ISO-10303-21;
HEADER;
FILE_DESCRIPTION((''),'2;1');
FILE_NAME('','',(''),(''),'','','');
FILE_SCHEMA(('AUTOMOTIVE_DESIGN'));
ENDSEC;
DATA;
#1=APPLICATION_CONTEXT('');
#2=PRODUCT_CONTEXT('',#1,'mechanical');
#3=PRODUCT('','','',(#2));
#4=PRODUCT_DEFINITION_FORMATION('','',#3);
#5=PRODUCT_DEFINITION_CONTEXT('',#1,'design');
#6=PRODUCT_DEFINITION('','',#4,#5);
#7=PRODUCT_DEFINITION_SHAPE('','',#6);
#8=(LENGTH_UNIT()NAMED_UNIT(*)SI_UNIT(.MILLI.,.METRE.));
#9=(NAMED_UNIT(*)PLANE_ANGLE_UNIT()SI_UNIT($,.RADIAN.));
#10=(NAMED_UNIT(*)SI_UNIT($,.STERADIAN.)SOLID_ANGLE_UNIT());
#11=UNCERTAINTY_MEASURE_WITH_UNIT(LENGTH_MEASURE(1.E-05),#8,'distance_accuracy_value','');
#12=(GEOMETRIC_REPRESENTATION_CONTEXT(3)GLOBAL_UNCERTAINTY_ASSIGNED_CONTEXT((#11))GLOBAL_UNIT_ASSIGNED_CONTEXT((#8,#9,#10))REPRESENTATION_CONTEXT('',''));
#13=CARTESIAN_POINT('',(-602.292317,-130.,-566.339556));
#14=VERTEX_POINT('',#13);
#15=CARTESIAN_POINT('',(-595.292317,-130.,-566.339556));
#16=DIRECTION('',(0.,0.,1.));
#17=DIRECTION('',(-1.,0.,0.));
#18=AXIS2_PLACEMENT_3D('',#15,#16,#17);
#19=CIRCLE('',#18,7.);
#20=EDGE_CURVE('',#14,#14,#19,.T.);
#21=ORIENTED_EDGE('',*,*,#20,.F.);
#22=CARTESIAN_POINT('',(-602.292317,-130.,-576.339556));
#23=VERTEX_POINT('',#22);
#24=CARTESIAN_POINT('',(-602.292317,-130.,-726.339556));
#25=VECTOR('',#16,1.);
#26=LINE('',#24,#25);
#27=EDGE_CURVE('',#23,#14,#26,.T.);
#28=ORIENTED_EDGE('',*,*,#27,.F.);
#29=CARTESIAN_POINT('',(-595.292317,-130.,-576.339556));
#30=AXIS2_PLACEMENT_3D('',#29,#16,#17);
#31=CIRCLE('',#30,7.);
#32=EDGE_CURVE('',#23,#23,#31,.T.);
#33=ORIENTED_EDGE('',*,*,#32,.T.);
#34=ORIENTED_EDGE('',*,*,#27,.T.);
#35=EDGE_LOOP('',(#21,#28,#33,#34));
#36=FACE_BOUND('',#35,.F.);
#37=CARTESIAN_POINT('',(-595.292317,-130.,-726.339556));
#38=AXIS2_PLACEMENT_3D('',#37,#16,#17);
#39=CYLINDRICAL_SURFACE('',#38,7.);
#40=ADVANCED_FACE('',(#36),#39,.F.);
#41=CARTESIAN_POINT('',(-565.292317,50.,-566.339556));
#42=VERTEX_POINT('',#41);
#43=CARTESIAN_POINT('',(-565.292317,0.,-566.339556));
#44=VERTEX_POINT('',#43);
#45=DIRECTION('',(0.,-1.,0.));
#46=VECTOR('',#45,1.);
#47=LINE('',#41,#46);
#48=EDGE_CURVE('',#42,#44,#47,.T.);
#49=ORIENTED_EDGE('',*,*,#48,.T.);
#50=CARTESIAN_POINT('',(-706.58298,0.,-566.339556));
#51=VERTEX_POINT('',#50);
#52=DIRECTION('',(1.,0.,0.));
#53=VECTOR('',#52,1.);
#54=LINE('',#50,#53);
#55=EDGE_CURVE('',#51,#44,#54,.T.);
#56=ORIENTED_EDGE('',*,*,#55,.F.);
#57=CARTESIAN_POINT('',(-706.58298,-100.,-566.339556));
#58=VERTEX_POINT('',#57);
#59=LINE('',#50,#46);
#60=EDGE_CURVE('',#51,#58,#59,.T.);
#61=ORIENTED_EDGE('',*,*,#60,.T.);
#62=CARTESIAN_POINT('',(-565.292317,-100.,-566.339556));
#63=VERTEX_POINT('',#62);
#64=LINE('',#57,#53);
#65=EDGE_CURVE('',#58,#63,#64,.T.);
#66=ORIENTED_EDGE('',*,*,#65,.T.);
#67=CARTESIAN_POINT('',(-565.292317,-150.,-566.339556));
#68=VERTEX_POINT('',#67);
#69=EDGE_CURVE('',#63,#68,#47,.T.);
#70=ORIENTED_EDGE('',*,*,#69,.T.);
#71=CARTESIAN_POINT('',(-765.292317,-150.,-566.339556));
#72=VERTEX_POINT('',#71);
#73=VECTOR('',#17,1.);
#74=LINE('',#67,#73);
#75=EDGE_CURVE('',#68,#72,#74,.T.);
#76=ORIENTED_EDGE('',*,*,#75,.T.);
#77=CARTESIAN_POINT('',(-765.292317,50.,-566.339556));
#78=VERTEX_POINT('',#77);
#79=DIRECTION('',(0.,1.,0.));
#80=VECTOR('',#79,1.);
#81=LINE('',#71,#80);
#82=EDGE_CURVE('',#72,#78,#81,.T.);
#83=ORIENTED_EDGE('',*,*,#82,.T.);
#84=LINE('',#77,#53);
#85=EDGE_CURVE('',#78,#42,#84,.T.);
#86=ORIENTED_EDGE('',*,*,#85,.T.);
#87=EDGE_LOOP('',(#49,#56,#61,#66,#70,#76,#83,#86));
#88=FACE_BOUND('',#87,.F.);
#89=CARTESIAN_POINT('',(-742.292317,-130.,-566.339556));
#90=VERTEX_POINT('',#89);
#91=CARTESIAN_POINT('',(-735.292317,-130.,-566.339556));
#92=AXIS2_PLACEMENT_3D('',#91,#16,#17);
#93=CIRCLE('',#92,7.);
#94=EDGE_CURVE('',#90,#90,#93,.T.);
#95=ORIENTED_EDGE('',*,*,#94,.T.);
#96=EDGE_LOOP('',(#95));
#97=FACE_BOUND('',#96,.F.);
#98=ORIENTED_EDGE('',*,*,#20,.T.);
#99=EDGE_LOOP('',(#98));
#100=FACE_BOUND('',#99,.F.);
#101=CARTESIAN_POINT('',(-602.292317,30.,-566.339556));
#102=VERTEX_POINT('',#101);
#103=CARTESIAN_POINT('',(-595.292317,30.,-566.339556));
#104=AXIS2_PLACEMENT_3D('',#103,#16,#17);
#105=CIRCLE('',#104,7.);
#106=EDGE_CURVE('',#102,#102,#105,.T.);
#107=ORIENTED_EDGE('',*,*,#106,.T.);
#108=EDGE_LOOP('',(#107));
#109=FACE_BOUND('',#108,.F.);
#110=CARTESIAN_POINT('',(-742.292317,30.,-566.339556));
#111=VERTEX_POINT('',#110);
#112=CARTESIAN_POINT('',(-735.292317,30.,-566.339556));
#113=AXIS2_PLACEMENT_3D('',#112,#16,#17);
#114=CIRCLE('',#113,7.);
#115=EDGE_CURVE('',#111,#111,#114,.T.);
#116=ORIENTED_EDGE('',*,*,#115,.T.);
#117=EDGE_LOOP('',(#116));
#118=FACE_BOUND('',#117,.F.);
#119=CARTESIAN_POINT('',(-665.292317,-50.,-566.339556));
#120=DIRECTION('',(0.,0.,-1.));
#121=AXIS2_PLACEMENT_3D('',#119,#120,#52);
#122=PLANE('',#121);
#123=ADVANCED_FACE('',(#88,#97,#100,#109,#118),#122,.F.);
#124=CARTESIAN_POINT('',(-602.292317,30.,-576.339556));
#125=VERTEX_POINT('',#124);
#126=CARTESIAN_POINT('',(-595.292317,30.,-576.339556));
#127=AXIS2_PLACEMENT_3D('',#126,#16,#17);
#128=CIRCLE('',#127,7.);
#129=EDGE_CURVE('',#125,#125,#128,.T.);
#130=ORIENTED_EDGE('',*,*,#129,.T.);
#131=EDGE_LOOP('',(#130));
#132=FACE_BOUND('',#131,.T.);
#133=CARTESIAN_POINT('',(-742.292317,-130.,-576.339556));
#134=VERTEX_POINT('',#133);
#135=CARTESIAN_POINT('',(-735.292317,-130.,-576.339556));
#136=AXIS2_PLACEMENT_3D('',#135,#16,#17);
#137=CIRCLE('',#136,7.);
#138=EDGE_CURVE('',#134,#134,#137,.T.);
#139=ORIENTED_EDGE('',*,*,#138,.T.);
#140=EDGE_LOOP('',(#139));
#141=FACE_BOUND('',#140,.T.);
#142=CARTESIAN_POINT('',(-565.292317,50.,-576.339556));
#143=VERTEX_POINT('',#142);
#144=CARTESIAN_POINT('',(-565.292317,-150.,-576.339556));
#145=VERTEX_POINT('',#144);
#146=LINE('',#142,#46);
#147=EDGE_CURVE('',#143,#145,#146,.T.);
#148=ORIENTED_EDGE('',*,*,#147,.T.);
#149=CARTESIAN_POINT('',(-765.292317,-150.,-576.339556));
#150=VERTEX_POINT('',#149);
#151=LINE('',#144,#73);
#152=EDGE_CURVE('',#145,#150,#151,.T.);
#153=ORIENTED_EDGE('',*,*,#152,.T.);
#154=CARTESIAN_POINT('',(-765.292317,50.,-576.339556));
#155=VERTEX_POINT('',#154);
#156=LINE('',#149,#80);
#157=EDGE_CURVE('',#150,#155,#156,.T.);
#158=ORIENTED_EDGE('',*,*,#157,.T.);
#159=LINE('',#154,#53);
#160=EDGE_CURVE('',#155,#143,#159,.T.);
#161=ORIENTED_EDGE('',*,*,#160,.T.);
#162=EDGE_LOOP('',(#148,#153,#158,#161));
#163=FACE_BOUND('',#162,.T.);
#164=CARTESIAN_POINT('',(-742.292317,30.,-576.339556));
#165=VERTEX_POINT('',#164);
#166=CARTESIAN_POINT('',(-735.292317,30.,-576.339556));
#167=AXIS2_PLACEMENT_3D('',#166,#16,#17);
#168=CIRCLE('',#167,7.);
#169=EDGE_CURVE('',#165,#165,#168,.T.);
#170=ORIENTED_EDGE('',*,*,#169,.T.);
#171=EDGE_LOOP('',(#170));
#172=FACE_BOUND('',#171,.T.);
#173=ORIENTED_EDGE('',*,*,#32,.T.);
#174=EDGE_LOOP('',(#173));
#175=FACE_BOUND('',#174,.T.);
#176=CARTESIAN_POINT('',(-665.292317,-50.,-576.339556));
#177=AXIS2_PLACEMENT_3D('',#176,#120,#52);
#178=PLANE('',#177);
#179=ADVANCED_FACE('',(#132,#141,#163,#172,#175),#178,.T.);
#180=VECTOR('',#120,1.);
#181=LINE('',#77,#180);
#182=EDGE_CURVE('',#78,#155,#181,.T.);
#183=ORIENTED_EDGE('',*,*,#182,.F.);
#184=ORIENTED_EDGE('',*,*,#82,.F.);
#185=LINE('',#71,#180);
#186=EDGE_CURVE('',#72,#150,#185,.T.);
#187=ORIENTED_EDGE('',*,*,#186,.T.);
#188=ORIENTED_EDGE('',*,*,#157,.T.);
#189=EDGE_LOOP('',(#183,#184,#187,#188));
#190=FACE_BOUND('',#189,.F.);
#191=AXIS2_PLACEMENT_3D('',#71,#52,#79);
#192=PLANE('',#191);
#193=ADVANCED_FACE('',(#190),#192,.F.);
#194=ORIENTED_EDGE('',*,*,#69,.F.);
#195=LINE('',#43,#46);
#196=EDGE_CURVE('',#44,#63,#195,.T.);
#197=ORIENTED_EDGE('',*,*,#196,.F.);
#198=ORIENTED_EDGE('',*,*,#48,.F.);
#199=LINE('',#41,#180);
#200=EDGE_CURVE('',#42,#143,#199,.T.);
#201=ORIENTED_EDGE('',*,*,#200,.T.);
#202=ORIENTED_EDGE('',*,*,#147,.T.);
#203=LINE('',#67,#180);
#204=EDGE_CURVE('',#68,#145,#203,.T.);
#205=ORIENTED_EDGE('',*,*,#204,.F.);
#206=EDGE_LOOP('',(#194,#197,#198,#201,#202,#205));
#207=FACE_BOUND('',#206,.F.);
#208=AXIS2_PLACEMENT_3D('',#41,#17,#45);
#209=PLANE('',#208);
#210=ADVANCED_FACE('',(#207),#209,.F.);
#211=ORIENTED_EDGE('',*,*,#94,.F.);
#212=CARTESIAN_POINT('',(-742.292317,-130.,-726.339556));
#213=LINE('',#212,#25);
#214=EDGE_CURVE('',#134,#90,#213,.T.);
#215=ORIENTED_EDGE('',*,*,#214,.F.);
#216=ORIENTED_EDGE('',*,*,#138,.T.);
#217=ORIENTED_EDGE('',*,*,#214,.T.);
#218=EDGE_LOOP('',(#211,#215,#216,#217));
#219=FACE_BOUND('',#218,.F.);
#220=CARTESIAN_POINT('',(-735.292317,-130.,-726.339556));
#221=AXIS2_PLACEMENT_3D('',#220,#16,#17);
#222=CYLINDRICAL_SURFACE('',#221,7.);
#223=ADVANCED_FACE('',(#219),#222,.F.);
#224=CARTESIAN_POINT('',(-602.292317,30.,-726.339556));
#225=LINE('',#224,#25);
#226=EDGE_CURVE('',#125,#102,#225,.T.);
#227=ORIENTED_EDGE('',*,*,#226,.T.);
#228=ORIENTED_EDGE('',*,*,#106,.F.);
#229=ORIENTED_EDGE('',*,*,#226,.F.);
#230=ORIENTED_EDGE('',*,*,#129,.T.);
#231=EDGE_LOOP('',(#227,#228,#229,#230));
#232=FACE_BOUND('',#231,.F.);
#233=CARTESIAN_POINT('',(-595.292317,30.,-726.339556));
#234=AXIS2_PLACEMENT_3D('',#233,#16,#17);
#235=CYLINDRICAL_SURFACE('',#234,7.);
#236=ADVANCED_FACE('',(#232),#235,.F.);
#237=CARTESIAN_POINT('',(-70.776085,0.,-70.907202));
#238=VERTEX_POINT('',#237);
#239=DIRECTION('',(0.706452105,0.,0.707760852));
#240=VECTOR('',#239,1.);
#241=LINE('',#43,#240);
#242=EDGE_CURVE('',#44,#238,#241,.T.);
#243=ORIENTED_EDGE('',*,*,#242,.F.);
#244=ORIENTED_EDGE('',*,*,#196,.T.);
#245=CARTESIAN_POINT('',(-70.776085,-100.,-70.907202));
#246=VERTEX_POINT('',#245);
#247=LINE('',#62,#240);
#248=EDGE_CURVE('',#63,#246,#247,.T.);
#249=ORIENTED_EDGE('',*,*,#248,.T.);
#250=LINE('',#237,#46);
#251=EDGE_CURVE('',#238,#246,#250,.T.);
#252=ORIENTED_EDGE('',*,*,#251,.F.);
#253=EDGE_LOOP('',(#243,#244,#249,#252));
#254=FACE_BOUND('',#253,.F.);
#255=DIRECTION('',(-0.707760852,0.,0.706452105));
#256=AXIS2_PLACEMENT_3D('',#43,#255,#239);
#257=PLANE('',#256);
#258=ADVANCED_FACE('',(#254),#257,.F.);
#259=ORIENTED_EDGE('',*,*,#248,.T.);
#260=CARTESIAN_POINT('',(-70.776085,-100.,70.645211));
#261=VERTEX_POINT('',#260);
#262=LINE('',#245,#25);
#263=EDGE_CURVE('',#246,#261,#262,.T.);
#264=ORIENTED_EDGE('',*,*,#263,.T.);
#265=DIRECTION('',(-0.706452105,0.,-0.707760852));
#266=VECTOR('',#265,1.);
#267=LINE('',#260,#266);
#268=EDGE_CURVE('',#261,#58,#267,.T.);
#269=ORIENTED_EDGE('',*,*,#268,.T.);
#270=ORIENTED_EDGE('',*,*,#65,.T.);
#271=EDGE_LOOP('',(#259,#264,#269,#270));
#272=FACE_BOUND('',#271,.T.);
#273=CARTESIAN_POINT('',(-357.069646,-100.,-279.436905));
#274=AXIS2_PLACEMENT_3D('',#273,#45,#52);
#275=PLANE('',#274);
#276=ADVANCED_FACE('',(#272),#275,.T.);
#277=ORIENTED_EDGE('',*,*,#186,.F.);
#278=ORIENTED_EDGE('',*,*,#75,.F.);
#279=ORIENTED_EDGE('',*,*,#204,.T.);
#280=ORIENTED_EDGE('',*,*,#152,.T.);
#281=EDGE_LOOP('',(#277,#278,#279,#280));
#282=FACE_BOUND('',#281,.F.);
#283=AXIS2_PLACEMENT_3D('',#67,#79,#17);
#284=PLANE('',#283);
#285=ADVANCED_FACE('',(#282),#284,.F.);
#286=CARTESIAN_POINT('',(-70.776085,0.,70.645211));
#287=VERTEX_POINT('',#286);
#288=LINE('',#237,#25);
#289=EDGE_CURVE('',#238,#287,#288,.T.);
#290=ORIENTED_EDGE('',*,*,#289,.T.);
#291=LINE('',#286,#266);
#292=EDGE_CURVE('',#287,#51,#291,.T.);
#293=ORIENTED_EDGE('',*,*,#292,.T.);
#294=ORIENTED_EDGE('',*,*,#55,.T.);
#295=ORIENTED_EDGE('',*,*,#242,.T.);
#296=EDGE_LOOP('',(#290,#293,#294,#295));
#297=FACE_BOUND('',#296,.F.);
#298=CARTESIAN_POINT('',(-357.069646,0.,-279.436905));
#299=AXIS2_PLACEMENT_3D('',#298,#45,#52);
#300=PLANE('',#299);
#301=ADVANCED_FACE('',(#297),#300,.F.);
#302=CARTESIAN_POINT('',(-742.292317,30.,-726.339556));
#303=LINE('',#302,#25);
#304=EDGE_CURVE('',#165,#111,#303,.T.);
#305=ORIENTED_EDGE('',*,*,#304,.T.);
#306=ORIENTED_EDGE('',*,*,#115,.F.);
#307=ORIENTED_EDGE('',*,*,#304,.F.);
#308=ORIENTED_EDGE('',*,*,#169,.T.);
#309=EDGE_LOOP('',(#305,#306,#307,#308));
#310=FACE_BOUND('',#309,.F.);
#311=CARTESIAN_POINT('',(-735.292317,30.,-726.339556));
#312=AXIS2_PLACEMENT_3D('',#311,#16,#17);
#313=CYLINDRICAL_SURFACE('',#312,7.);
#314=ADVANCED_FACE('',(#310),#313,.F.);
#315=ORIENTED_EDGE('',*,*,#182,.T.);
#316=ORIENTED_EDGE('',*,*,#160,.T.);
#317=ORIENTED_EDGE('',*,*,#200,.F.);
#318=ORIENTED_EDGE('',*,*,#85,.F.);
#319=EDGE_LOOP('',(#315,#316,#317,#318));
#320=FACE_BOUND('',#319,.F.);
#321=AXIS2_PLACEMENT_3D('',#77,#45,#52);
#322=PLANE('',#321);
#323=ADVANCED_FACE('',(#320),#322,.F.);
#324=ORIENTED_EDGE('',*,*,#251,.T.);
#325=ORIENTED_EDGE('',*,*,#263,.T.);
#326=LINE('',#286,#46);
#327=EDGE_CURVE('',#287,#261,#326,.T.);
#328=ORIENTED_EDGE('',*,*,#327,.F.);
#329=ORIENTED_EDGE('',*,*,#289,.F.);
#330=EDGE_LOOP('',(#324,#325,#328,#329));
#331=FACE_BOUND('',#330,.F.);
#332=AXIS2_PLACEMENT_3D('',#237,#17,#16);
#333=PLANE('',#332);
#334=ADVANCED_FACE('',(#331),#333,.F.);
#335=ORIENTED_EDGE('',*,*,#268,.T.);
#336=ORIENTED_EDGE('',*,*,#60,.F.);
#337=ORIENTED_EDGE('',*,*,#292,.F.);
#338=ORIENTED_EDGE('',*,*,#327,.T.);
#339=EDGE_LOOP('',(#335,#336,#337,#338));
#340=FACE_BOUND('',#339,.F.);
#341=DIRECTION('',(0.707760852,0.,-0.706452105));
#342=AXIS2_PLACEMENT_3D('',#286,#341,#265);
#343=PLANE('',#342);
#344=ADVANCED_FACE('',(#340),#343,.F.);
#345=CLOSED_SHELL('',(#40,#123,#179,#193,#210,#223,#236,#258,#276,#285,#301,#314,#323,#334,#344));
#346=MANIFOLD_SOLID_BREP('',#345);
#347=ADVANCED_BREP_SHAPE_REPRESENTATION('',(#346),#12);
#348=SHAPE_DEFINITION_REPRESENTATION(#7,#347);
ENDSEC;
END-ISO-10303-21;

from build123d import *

# Parameters (mm, degrees)
F1_DEPTH = 100
F3_DEPTH = 10
F5_D     = 14
F5_DEPTH = 150


with BuildPart() as f1:
    # F0 (on Front) → F1 (new body)
    with BuildSketch(Plane.XZ):
        Polygon((-70.776085, -70.907202), (-70.776085, 70.645211), (-706.58298, -566.339556), (-565.292317, -566.339556), align=None)
    extrude(amount=F1_DEPTH)

    # F2 (on face) → F3 (join)
    with BuildSketch(Plane(origin=(0, 0, -566.339556), x_dir=(1, 0, 0), z_dir=(0, 0, -1))):
        Polygon((-565.292317, -50), (-565.292317, 100), (-565.292317, 150), (-765.292317, 150), (-765.292317, -50), align=None)
    extrude(amount=F3_DEPTH)

    # F5
    with Locations(Plane(origin=(0, 0, -576.339556), x_dir=(1, 0, 0), z_dir=(0, 0, -1))):
        with Locations((-735.292317, 130), (-595.292317, 130), (-595.292317, -30), (-735.292317, -30)):
            Hole(F5_D / 2, depth=F5_DEPTH)


solid = f1.part
